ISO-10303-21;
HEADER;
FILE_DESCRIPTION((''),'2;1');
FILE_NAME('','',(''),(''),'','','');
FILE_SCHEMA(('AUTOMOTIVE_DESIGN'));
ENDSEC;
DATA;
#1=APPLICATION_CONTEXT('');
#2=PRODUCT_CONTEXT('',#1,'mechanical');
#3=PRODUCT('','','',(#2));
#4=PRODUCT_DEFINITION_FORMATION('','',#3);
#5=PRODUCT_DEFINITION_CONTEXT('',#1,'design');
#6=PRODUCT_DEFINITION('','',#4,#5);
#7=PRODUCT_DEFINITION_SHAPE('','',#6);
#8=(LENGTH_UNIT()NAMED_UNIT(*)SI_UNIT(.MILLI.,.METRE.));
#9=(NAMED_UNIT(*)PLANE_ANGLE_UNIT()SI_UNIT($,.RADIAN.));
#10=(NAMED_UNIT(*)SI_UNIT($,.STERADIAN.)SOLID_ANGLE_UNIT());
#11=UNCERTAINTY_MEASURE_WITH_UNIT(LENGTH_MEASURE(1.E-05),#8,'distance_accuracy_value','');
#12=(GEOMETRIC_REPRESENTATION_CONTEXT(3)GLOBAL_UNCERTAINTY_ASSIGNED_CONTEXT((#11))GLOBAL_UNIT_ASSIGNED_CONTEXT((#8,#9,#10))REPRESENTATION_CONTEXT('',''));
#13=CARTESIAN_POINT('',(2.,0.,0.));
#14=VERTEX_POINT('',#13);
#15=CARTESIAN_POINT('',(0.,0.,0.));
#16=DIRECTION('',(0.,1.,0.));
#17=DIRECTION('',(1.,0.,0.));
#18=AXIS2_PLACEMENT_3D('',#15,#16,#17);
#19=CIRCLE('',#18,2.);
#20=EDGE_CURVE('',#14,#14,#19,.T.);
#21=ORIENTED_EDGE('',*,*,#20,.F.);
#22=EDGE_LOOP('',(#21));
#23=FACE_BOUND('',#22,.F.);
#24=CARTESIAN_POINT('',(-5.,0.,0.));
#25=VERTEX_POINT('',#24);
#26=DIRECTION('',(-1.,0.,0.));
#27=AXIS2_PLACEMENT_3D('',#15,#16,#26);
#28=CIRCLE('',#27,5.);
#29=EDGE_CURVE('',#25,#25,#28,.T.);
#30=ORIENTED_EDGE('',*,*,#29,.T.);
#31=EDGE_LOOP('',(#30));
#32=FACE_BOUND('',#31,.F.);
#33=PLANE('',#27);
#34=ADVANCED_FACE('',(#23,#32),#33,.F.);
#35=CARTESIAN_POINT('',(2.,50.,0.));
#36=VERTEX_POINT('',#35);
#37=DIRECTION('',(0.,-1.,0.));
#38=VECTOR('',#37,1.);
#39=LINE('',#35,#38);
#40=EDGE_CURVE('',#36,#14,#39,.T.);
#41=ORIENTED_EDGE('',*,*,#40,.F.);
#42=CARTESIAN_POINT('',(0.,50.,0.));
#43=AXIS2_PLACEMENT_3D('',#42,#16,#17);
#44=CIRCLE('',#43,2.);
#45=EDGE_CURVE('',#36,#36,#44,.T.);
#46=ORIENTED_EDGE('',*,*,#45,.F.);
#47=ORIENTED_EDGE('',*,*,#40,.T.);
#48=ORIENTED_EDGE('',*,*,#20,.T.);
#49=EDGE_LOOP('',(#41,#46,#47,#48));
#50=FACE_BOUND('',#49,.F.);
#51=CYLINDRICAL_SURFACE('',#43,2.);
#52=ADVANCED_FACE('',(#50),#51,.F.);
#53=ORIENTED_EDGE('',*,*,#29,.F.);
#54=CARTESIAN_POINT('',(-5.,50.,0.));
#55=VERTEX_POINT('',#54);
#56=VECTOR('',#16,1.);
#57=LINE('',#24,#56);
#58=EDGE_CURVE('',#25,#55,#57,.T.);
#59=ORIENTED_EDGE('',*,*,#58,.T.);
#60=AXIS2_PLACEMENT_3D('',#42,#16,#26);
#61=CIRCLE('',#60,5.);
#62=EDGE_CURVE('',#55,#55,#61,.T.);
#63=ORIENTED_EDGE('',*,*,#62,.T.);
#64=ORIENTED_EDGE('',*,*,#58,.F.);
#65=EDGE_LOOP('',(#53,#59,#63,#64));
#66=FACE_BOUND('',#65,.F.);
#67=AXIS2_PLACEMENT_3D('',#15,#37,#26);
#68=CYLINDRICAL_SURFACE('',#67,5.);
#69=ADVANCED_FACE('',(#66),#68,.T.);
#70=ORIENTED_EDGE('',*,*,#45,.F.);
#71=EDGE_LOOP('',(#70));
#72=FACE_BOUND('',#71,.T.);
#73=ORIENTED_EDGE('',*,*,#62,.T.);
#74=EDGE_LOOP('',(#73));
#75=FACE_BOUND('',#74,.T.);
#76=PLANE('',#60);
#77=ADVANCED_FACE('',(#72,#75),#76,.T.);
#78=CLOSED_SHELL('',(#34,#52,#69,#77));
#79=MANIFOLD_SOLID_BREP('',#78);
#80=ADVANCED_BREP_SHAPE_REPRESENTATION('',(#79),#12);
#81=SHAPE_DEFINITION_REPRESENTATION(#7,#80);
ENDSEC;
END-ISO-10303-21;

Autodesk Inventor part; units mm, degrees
ref_plane "YZ Plane" through (0, 0, 0) normal (1, 0, 0) x (0, 1, 0)
ref_plane "XZ Plane" through (0, 0, 0) normal (0, 1, 0) x (-1, 0, 0)
ref_plane "XY Plane" through (0, 0, 0) normal (0, 0, 1) x (1, 0, 0)
sketch "Sketch1" plane through (0, 0, 0) normal (0, 1, 0) x (-1, 0, 0)
  circle A0 centre (0, 0) radius 5
  dimension "d0" = 10
extrude "Extrusion1" add sketch "Sketch1" along normal blind 50
sketch "Sketch2" plane through (0, 50, 0) normal (0, 1, 0) x (1, 0, 0)
  circle A0 centre (0, 0) radius 2
  dimension "d3" = 4
extrude "Extrusion2" cut sketch "Sketch2" against normal through all
properties part number "aluminium_rods" material "Aluminum 6061"
